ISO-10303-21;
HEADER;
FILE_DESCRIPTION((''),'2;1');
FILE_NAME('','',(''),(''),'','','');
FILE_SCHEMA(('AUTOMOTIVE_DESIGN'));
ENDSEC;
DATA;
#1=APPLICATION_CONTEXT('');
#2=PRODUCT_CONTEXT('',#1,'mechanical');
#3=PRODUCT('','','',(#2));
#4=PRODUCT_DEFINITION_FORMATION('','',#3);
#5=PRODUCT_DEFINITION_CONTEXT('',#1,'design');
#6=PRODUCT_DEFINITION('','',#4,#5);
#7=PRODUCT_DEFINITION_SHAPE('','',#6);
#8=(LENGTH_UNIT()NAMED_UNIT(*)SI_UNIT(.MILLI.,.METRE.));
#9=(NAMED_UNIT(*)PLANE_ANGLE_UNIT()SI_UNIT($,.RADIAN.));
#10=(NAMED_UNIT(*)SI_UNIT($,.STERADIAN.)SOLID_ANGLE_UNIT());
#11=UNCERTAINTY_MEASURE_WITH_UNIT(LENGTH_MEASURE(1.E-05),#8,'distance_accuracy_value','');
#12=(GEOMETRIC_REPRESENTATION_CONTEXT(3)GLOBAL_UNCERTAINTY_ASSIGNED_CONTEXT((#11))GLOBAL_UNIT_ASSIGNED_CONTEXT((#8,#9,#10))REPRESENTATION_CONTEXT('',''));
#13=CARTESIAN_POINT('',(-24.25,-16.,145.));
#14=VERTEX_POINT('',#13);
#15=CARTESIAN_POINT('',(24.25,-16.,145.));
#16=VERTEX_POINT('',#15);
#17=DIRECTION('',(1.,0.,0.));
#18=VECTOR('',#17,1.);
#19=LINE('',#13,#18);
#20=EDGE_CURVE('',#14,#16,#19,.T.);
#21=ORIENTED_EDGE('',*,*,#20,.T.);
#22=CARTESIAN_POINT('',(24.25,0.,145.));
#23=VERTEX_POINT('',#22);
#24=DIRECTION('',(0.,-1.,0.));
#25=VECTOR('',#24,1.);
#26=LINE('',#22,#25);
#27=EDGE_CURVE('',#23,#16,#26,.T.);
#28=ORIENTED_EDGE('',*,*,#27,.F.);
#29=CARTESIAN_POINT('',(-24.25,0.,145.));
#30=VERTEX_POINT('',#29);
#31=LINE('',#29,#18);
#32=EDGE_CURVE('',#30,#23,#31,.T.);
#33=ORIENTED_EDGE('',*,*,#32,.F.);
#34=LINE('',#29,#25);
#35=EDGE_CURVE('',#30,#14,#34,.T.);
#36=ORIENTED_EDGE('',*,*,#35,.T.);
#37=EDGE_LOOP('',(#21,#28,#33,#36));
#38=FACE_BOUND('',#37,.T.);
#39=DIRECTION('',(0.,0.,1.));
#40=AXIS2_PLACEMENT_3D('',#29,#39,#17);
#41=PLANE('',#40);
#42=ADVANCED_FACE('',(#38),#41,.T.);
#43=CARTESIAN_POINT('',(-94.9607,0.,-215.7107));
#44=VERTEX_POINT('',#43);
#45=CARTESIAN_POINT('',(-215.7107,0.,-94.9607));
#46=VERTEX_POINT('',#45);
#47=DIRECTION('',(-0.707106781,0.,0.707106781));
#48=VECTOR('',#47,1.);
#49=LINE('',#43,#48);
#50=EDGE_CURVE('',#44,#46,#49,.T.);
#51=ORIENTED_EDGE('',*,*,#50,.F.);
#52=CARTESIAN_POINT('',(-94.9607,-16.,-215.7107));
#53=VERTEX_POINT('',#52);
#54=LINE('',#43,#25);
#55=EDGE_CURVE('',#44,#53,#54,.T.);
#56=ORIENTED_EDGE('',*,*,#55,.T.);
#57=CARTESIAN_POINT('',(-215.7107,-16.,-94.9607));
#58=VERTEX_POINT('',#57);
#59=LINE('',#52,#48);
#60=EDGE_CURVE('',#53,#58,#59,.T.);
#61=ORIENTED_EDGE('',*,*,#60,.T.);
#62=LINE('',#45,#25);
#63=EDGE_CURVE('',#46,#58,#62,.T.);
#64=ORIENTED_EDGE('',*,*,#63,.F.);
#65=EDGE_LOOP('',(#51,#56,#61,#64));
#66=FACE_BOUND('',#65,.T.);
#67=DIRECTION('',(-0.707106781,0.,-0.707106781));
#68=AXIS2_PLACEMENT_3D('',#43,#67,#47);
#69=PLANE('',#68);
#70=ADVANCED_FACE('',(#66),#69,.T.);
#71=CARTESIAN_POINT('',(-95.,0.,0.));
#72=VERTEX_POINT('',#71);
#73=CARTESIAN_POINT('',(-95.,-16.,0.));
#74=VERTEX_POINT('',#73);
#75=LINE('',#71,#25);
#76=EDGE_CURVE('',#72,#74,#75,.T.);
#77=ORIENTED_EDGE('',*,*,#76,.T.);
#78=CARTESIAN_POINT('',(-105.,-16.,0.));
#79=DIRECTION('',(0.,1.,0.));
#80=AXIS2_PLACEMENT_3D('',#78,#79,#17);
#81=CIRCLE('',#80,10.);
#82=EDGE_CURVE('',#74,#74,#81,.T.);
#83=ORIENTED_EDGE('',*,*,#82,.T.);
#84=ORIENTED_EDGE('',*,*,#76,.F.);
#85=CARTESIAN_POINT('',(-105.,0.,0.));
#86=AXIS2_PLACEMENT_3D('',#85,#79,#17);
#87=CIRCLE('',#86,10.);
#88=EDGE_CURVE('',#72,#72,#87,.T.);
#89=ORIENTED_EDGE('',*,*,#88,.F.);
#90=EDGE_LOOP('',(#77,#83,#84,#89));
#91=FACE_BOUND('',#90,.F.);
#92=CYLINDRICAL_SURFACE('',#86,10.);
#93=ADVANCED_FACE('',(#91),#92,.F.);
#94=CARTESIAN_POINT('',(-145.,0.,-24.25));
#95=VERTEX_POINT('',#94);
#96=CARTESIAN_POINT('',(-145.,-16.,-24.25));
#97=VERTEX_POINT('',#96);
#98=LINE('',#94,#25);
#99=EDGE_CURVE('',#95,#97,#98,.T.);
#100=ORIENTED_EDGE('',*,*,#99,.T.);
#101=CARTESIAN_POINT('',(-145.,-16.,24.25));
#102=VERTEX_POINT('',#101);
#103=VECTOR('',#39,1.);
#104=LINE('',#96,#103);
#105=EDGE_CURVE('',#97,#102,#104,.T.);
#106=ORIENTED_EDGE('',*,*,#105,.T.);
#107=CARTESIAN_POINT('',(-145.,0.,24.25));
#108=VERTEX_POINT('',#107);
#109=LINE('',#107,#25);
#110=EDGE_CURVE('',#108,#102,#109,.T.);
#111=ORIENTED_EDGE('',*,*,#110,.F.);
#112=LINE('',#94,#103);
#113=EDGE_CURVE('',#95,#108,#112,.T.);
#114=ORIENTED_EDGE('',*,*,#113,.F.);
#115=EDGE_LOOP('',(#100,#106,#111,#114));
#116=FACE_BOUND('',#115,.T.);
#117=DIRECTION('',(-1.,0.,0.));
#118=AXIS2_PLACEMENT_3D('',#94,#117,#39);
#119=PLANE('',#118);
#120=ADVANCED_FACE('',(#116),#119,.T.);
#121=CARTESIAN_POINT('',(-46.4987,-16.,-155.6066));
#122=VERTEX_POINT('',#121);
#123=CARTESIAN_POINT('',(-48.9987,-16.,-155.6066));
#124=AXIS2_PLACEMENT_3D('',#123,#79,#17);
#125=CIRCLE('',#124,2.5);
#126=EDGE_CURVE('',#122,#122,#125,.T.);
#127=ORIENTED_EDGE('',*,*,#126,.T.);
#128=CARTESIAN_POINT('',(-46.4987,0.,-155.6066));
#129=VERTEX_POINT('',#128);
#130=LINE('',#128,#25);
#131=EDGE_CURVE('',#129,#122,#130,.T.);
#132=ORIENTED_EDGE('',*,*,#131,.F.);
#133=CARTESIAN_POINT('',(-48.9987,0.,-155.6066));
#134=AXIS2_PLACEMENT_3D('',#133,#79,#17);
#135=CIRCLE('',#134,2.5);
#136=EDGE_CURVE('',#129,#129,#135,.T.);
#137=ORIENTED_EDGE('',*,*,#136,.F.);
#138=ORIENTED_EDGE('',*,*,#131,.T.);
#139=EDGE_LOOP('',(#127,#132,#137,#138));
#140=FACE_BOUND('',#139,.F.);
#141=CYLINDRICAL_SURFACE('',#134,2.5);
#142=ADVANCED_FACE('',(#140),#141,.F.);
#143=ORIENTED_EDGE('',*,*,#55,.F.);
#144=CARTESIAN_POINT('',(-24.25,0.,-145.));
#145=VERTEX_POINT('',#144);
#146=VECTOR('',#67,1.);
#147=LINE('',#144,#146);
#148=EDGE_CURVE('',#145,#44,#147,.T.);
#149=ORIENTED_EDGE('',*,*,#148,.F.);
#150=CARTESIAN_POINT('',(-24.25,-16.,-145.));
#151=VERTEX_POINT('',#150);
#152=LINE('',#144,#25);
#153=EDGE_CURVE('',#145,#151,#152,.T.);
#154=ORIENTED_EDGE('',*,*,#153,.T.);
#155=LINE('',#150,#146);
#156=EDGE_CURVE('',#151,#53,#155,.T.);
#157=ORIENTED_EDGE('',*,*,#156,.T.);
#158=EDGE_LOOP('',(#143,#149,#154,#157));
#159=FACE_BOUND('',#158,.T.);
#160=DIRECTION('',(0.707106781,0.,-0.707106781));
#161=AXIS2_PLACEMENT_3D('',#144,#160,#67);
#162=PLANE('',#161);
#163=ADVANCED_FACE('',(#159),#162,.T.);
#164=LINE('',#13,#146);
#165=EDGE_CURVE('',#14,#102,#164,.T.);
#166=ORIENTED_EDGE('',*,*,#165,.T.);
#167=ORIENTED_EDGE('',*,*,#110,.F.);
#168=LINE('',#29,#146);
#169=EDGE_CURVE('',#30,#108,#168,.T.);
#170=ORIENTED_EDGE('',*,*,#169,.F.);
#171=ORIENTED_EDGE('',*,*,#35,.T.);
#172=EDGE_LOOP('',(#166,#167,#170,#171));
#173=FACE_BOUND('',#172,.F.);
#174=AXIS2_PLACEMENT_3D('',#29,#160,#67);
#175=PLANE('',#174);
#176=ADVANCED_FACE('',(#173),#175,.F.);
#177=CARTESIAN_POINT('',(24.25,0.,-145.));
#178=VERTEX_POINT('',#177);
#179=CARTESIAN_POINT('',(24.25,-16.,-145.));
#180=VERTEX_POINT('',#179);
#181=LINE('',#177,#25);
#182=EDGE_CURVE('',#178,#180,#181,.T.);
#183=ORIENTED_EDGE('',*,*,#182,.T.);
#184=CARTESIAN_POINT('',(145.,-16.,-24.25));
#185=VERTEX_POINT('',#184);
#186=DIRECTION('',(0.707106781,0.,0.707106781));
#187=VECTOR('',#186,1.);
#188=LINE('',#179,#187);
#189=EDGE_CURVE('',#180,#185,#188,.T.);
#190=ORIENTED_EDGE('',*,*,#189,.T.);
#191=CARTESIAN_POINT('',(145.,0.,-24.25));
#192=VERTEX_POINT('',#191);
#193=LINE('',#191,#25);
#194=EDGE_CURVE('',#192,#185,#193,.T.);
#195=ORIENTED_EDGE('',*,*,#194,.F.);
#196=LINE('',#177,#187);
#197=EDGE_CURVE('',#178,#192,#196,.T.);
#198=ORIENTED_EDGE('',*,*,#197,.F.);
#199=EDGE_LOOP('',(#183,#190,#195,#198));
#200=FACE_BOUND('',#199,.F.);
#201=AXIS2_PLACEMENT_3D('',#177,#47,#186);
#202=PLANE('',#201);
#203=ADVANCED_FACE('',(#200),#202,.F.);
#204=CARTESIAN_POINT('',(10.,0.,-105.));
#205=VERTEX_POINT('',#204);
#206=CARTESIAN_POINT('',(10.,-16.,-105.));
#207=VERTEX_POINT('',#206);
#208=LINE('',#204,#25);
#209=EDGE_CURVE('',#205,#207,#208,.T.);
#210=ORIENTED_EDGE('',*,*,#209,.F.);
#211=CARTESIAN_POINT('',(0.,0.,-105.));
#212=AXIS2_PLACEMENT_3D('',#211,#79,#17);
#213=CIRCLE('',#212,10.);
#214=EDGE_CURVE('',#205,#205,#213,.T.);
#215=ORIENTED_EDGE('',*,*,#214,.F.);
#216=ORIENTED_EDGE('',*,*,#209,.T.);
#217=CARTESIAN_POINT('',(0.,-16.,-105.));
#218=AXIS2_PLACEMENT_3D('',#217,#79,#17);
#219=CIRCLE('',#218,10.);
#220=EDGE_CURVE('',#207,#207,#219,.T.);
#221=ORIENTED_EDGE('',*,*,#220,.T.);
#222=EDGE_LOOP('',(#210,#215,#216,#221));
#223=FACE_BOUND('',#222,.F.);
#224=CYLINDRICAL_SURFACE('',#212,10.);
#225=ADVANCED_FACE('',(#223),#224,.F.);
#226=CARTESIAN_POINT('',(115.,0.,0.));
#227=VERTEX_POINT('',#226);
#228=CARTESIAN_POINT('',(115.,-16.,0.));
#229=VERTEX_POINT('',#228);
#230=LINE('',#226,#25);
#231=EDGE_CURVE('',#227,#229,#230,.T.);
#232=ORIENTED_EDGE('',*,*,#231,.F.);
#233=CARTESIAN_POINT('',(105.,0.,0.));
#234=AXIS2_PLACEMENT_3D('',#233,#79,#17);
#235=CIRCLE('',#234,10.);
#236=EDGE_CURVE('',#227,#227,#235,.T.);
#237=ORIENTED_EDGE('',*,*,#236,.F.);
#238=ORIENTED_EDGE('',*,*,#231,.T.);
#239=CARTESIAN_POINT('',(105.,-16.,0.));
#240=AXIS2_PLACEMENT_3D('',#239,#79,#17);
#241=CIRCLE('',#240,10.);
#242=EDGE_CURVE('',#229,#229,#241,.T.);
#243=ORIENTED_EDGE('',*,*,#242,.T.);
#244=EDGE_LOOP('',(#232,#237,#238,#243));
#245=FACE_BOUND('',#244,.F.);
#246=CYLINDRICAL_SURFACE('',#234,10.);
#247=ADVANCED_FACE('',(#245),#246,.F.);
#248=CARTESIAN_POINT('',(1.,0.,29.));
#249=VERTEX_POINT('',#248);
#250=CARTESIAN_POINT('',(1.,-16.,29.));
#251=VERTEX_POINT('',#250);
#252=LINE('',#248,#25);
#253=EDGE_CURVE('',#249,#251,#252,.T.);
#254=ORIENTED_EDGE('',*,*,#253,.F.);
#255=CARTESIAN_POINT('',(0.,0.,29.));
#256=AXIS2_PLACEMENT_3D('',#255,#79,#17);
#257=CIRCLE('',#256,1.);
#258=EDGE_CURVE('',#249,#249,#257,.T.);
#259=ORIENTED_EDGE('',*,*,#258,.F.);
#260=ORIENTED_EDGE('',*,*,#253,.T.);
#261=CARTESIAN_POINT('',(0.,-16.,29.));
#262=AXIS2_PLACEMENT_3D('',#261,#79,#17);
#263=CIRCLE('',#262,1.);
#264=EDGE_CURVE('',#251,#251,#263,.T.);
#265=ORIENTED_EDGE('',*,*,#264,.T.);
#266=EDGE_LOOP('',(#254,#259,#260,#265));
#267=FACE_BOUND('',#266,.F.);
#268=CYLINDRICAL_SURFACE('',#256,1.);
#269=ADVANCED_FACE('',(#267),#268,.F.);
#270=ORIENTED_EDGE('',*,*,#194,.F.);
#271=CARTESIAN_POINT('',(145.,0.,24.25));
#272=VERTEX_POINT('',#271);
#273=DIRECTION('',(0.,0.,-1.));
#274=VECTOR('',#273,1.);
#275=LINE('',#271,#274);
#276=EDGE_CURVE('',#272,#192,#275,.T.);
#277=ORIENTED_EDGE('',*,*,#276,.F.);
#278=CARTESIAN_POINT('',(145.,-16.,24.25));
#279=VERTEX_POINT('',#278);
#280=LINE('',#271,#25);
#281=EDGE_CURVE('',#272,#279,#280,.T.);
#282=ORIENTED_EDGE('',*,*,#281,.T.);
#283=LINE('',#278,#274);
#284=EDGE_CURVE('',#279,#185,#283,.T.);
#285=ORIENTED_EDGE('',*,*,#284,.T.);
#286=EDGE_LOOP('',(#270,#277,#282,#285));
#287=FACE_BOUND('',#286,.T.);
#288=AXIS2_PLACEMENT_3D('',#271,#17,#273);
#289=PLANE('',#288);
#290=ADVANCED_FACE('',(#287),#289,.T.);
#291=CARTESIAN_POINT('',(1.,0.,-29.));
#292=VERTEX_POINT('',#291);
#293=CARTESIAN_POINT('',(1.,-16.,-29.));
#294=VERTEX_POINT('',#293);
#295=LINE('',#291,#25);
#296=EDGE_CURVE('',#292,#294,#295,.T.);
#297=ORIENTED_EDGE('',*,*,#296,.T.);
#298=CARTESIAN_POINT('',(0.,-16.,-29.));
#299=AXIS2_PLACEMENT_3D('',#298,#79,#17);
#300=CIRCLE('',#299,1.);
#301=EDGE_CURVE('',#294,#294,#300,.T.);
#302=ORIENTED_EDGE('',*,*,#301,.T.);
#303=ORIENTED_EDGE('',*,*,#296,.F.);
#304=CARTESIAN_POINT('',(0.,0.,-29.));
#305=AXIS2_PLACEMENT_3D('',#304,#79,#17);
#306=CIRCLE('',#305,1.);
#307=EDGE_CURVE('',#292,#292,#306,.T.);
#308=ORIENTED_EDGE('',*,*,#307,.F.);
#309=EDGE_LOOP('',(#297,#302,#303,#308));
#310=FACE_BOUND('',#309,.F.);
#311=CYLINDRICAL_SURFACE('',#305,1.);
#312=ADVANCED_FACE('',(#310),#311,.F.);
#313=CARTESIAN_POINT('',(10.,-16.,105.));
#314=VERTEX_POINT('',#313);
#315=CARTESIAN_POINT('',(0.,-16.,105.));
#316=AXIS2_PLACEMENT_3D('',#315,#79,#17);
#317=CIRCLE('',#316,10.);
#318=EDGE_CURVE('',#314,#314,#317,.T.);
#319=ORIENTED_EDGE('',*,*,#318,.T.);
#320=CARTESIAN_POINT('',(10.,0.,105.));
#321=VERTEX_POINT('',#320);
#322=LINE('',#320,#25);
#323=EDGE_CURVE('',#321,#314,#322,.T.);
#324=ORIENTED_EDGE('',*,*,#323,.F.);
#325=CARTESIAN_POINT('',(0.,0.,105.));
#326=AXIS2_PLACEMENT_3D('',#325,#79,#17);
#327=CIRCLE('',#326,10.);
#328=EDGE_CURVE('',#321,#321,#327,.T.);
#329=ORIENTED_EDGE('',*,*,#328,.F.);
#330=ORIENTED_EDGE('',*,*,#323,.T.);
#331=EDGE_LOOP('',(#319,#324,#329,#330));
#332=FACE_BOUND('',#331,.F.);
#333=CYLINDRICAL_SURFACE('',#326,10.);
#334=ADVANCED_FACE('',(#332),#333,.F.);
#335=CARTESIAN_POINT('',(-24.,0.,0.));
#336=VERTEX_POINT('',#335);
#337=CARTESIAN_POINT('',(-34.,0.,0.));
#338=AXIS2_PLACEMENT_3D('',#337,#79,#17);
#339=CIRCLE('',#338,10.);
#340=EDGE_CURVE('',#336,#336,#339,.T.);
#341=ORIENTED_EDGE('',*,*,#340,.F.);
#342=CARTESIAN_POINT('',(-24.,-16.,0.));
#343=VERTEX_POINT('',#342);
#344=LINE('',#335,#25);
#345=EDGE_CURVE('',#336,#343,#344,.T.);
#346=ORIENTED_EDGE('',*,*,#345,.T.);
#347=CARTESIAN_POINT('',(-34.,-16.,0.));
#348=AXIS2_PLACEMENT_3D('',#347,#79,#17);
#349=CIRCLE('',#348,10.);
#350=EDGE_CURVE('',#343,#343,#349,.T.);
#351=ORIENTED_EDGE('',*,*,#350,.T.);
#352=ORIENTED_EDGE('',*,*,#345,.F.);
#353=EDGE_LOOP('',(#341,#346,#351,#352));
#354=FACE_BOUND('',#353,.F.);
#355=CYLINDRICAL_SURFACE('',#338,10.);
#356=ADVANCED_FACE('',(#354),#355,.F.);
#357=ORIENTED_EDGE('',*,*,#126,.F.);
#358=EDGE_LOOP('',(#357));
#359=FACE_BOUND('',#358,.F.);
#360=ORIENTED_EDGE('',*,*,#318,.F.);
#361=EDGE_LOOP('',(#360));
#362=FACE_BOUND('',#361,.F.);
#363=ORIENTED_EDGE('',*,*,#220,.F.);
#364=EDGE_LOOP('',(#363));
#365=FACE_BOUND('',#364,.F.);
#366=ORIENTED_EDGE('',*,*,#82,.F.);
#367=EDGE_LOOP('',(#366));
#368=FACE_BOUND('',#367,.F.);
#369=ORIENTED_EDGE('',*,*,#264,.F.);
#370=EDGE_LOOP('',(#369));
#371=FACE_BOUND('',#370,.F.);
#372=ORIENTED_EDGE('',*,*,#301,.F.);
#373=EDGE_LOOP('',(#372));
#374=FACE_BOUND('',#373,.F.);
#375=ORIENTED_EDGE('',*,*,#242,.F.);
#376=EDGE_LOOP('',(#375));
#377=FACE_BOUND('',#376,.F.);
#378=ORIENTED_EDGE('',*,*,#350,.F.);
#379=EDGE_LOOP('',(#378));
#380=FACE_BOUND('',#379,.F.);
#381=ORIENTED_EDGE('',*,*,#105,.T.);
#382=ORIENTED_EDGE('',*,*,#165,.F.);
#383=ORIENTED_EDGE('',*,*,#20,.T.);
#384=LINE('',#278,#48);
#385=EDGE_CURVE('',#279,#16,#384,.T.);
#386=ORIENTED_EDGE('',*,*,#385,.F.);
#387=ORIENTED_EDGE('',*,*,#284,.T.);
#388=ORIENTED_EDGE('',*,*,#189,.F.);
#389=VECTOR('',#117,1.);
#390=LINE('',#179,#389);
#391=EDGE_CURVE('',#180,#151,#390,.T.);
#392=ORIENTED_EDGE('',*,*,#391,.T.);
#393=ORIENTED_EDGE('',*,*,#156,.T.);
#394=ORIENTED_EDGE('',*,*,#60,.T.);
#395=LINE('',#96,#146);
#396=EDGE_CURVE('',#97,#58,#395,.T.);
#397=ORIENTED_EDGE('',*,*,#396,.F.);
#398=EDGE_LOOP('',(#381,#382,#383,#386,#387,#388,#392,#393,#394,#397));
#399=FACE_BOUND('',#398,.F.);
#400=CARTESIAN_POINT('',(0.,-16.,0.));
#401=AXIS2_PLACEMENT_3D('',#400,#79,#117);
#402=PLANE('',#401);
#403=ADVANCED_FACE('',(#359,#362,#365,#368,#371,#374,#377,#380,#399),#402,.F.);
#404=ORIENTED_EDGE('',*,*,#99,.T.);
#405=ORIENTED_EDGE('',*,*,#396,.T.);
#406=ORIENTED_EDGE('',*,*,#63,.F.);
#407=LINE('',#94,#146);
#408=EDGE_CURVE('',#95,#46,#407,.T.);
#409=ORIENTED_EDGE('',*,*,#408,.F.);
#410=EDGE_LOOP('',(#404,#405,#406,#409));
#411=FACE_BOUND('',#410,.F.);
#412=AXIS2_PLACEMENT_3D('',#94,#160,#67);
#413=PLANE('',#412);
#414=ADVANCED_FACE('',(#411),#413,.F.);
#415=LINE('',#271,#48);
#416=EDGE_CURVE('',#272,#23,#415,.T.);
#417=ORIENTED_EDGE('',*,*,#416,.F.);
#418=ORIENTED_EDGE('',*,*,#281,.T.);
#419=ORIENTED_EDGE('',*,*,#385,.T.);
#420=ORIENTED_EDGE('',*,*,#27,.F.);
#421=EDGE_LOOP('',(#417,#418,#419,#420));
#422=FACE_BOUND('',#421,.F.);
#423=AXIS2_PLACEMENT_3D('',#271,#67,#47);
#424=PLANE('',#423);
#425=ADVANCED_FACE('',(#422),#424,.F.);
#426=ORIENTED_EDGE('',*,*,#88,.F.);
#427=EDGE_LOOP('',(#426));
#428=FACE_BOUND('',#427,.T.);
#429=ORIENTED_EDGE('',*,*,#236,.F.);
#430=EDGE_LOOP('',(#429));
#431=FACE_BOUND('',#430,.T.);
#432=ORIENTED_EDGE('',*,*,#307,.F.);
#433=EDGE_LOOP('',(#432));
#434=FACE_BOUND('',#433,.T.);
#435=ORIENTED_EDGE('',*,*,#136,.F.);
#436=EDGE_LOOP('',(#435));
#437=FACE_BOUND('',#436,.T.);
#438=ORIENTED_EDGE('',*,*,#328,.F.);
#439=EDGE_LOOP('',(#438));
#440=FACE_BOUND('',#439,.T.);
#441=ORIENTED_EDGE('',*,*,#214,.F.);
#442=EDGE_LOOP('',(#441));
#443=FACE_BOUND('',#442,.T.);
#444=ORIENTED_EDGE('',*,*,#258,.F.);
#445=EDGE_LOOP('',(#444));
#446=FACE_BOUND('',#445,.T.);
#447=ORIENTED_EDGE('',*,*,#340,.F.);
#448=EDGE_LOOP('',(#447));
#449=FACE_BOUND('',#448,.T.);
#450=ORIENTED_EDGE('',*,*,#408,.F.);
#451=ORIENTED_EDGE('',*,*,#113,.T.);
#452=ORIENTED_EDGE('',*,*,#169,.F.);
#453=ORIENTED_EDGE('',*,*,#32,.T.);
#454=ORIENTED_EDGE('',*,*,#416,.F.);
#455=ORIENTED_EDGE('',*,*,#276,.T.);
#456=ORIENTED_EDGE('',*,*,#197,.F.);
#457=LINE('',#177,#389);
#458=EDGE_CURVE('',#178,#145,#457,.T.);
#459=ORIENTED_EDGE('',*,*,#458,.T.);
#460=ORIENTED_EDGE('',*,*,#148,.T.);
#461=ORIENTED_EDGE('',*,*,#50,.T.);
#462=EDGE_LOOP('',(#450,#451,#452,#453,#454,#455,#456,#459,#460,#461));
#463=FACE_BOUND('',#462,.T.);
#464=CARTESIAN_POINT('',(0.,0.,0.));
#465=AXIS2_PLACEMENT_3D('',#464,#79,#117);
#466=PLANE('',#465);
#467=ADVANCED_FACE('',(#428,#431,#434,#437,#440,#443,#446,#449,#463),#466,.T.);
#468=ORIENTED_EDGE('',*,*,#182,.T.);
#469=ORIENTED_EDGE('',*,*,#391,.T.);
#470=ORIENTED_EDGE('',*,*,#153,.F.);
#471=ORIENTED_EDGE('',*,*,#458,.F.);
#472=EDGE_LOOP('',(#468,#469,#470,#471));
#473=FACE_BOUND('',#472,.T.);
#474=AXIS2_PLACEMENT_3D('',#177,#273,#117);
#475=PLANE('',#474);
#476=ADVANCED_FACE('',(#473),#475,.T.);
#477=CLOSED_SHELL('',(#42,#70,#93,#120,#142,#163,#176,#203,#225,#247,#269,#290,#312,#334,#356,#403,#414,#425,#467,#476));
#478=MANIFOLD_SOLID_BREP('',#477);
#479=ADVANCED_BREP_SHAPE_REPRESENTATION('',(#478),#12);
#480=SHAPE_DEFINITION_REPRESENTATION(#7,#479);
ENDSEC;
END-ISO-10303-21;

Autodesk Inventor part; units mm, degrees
ref_plane "YZ Plane" through (0, 0, 0) normal (1, 0, 0) x (0, 1, 0)
ref_plane "XZ Plane" through (0, 0, 0) normal (0, 1, 0) x (-1, 0, 0)
ref_plane "XY Plane" through (0, 0, 0) normal (0, 0, 1) x (1, 0, 0)
sketch "Boceto1" plane through (0, 0, 0) normal (0, 1, 0) x (-1, 0, 0)
  line L0 (24.25, 145) -> (-24.25, 145)
  line L1 (-145, 24.25) -> (-145, -24.25)
  line L2 (-24.25, -145) -> (24.25, -145)
  line L3 (145, -24.25) -> (145, 24.25)
  line L4 (24.25, 145) -> (145, 24.25)
  line L5 (-24.25, -145) -> (-145, -24.25)
  line L6 (-145, 24.25) -> (-24.25, 145)
  line L7 (145, -24.25) -> (215.7107, -94.9607)
  line L8 (24.25, -145) -> (94.9607, -215.7107)
  line L9 (94.9607, -215.7107) -> (215.7107, -94.9607)
  point P0 (0, 0)
extrude "Extrusión1" add sketch "Boceto1" against normal blind 16
sketch "Boceto2" plane through (0, 0, 0) normal (0, 1, 0) x (1, 0, 0)
  line L0 (-145, -24.25) -> (-145, 24.25) projected
  line L1 (24.25, -145) -> (-24.25, -145) projected
  line L2 (145, 24.25) -> (145, -24.25) projected
  line L3 (-24.25, 145) -> (24.25, 145) projected
  circle A0 centre (0, 105) radius 10
  circle A1 centre (-105, 0) radius 10
  circle A2 centre (105, 0) radius 10
  circle A3 centre (0, -105) radius 10
  circle A4 centre (0, 29) radius 1
  circle A5 centre (0, -29) radius 1
  circle A6 centre (-34, 0) radius 10
  circle A7 centre (-48.9987, 155.6066) radius 2.5
  dimension "d14" = 20
  dimension "d17" = 20
  dimension "d21" = 2
  dimension "d23" = 2
  dimension "d30" = 5
extrude "Extrusión2" cut sketch "Boceto2" against normal blind 20
thread "Rosca1" size "M5x0.8" class "6H" standard "ANSI Metric M Profile" full length
equation "\"d25\" = d14"
properties part number "Base"
